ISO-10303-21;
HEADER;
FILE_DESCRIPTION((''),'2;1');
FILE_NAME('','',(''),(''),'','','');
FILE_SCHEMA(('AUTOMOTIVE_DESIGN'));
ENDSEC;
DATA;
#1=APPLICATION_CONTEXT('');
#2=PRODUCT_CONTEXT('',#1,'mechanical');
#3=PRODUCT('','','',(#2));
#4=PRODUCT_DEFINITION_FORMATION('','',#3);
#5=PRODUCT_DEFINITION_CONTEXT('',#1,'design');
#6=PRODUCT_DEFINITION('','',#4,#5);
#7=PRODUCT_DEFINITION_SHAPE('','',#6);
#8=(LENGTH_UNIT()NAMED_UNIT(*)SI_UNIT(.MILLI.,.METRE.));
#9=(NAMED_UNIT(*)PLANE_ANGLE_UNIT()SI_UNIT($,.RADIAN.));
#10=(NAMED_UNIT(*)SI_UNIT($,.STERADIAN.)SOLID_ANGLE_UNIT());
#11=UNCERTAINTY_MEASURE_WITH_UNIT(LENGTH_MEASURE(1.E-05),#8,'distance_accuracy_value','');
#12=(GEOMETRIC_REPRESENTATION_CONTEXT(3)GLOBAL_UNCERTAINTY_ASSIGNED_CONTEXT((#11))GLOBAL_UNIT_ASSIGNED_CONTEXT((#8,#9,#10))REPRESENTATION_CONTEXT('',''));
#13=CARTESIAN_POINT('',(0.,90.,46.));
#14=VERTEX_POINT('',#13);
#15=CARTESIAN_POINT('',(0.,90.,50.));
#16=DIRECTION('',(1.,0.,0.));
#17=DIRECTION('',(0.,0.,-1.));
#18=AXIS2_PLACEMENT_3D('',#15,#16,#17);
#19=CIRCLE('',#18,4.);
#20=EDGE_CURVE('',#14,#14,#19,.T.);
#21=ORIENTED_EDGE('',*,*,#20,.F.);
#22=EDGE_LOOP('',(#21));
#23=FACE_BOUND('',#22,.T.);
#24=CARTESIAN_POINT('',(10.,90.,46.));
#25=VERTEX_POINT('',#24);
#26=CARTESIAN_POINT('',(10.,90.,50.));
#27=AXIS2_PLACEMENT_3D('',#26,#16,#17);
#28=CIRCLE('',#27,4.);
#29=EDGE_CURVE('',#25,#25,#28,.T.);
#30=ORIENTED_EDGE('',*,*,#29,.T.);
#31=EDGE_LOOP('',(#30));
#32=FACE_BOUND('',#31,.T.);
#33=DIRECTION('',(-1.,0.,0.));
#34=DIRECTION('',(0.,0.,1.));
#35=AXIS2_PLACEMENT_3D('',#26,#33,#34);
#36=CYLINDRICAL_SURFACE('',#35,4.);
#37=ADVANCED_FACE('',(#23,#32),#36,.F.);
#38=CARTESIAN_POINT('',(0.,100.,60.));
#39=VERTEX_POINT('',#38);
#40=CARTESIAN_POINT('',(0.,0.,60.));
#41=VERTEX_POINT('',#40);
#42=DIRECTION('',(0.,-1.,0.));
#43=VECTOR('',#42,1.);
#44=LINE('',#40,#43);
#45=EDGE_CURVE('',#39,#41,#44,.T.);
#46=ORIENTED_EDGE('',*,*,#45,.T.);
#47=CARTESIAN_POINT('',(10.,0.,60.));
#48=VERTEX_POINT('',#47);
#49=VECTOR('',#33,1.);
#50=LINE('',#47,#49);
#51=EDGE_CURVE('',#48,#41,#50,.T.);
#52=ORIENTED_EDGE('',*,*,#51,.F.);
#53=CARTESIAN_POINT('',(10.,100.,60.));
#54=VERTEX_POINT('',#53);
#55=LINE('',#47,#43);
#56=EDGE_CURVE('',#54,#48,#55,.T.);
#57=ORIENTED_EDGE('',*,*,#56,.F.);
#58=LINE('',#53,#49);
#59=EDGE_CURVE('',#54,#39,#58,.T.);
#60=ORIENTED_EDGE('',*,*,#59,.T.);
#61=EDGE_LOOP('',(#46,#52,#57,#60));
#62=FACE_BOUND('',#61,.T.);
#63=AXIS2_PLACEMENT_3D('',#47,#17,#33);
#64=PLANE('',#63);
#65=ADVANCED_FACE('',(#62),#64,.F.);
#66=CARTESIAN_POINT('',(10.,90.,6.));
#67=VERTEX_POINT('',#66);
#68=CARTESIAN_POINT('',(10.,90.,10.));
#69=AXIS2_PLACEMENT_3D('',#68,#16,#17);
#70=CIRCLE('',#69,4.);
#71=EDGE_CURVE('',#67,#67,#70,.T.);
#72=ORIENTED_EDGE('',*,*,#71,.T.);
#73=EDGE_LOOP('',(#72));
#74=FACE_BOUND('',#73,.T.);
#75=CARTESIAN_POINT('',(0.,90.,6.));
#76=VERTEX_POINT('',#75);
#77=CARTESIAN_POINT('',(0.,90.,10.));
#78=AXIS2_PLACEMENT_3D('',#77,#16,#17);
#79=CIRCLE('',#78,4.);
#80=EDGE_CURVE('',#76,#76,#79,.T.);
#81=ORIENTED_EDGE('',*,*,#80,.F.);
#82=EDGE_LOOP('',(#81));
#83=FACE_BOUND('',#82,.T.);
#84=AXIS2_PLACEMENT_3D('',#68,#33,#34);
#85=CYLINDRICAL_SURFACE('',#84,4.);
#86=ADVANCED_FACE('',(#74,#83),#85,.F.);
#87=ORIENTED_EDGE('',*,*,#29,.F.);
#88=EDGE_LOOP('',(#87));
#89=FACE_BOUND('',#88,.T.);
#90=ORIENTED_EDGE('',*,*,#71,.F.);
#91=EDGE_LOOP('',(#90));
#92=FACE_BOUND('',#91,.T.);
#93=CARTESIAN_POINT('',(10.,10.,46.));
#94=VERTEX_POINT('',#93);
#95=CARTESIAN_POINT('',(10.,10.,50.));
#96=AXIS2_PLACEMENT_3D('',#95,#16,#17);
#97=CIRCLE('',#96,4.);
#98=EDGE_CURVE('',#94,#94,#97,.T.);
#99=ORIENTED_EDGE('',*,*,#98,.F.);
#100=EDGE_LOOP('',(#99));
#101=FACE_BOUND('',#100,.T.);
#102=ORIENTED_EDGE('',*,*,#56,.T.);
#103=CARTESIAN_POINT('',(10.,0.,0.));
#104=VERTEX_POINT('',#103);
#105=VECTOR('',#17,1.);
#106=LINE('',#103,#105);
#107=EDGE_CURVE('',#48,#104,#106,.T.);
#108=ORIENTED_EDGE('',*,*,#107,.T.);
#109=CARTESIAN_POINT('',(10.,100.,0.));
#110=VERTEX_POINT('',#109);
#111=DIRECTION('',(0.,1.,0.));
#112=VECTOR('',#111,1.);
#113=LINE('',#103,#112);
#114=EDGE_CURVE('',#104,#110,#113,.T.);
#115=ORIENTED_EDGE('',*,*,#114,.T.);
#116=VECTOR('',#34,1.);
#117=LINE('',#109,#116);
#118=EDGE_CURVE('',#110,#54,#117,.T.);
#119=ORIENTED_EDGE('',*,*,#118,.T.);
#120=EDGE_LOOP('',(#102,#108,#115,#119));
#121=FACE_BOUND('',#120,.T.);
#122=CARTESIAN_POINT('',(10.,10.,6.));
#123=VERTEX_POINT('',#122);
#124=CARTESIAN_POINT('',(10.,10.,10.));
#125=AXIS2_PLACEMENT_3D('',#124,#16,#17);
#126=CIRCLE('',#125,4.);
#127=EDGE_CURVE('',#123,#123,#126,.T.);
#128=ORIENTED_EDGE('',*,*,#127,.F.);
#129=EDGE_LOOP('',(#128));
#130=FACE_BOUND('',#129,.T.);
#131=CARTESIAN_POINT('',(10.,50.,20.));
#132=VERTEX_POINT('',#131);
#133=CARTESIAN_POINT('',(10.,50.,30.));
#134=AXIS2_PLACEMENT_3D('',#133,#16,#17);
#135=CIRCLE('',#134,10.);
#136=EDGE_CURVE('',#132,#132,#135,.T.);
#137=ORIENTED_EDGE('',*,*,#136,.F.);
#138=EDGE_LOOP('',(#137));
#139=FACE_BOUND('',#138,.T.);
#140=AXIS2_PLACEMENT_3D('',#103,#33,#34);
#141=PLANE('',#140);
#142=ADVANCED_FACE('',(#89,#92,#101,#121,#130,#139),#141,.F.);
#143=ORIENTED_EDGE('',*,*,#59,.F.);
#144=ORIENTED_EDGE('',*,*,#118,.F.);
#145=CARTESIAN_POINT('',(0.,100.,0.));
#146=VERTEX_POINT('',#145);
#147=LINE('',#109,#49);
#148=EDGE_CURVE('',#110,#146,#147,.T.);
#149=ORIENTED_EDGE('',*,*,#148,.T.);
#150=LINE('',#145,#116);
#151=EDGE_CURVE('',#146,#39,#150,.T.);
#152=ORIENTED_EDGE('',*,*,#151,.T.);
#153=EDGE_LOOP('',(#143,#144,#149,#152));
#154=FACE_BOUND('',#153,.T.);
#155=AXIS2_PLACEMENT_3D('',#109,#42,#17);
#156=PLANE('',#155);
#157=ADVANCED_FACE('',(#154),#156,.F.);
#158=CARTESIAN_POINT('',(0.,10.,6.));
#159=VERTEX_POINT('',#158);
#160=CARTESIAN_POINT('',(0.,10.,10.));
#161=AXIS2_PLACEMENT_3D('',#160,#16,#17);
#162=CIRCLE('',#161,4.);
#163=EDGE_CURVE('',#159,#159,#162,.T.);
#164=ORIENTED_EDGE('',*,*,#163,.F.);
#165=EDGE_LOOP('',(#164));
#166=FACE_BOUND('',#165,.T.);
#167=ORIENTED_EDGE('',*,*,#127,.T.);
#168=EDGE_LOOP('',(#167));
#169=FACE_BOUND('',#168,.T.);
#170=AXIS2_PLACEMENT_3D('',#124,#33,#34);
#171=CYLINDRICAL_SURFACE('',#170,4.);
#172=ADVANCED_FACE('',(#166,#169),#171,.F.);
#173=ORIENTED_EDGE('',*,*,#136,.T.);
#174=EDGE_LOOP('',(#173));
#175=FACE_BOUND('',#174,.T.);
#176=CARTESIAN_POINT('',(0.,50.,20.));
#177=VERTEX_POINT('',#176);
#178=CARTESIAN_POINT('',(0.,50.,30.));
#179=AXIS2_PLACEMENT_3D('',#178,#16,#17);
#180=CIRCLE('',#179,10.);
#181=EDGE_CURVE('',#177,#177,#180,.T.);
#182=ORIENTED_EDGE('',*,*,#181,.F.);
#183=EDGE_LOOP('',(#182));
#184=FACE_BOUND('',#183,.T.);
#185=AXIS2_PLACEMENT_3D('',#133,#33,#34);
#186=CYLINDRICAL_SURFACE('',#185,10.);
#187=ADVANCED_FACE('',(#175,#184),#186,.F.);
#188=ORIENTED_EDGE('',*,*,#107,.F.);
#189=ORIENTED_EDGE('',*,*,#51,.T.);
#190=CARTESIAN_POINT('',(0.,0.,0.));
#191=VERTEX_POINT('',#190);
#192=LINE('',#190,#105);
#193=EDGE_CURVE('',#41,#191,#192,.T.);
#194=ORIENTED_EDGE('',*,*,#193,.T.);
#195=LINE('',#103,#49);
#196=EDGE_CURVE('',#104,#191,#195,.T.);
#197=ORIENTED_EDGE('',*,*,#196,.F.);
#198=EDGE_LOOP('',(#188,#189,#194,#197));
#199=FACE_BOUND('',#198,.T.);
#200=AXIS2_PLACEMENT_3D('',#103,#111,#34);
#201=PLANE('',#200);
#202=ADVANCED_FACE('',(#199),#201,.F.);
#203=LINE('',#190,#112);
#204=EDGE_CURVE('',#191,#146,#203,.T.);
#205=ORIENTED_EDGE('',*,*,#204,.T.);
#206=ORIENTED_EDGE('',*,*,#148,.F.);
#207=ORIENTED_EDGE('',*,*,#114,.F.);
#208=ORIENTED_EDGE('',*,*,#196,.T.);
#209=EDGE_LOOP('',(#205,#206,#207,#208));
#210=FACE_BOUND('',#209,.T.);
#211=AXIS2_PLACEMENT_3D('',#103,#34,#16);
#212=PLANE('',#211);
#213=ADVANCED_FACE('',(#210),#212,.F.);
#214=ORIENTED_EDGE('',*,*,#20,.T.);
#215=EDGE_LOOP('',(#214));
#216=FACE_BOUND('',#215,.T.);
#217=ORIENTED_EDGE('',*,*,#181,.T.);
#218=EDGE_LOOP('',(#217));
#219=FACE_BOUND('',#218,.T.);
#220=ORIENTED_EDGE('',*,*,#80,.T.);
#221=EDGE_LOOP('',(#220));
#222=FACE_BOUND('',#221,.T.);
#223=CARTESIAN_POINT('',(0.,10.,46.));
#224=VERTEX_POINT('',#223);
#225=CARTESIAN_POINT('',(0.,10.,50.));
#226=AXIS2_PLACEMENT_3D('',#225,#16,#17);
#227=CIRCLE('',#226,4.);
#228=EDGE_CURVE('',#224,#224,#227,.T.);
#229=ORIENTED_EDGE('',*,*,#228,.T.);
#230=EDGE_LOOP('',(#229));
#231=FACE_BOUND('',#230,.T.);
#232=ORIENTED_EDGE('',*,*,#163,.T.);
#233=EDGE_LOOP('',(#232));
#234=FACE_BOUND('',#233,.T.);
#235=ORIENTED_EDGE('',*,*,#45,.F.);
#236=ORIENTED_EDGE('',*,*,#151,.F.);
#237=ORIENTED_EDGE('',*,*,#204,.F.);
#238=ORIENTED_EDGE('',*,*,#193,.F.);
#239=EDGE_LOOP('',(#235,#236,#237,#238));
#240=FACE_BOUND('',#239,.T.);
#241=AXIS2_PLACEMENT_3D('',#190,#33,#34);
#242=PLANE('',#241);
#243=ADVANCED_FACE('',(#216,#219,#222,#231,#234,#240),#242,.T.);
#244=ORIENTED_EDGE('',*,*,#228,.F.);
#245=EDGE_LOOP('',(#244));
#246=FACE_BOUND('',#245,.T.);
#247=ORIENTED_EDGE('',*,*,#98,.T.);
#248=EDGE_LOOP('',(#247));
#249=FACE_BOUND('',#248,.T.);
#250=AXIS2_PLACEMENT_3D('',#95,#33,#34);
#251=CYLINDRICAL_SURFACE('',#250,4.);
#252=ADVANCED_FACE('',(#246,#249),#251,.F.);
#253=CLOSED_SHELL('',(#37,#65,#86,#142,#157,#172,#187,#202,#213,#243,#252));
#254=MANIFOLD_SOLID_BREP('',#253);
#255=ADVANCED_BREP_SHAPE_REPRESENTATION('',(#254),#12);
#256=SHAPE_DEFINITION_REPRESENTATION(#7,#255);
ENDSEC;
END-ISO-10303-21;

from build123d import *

# Parameters (mm, degrees)
SKETCH1_W           = 100
SKETCH1_H           = 60
BOSS_EXTRUDE1_DEPTH = 10
SKETCH2_R           = 4
CUT_EXTRUDE2_DEPTH  = 118.046999107
SKETCH3_R           = 10
CUT_EXTRUDE4_DEPTH  = 118.046999107


with BuildPart() as part:
    # Sketch1 → Boss-Extrude1 (new body)
    with BuildSketch(Plane.YZ):
        with Locations((50, 30)):
            Rectangle(SKETCH1_W, SKETCH1_H)
    extrude(amount=BOSS_EXTRUDE1_DEPTH)

    # Sketch2 → Cut-Extrude2 (cut, through all)
    with BuildSketch(Plane.YZ):
        with Locations(Location((10, 10, 0), (0, 0, 270))):
            Circle(SKETCH2_R)
        with Locations(Location((90, 10, 0), (0, 0, 270))):
            Circle(SKETCH2_R)
        with Locations(Location((10, 50, 0), (0, 0, 270))):
            Circle(SKETCH2_R)
        with Locations(Location((90, 50, 0), (0, 0, 270))):
            Circle(SKETCH2_R)
    extrude(amount=CUT_EXTRUDE2_DEPTH, mode=Mode.SUBTRACT)

    # Sketch3 → Cut-Extrude4 (cut, through all)
    with BuildSketch(Plane.YZ):
        with Locations(Location((50, 30, 0), (0, 0, 270))):
            Circle(SKETCH3_R)
    extrude(amount=CUT_EXTRUDE4_DEPTH, mode=Mode.SUBTRACT)


solid = part.part
